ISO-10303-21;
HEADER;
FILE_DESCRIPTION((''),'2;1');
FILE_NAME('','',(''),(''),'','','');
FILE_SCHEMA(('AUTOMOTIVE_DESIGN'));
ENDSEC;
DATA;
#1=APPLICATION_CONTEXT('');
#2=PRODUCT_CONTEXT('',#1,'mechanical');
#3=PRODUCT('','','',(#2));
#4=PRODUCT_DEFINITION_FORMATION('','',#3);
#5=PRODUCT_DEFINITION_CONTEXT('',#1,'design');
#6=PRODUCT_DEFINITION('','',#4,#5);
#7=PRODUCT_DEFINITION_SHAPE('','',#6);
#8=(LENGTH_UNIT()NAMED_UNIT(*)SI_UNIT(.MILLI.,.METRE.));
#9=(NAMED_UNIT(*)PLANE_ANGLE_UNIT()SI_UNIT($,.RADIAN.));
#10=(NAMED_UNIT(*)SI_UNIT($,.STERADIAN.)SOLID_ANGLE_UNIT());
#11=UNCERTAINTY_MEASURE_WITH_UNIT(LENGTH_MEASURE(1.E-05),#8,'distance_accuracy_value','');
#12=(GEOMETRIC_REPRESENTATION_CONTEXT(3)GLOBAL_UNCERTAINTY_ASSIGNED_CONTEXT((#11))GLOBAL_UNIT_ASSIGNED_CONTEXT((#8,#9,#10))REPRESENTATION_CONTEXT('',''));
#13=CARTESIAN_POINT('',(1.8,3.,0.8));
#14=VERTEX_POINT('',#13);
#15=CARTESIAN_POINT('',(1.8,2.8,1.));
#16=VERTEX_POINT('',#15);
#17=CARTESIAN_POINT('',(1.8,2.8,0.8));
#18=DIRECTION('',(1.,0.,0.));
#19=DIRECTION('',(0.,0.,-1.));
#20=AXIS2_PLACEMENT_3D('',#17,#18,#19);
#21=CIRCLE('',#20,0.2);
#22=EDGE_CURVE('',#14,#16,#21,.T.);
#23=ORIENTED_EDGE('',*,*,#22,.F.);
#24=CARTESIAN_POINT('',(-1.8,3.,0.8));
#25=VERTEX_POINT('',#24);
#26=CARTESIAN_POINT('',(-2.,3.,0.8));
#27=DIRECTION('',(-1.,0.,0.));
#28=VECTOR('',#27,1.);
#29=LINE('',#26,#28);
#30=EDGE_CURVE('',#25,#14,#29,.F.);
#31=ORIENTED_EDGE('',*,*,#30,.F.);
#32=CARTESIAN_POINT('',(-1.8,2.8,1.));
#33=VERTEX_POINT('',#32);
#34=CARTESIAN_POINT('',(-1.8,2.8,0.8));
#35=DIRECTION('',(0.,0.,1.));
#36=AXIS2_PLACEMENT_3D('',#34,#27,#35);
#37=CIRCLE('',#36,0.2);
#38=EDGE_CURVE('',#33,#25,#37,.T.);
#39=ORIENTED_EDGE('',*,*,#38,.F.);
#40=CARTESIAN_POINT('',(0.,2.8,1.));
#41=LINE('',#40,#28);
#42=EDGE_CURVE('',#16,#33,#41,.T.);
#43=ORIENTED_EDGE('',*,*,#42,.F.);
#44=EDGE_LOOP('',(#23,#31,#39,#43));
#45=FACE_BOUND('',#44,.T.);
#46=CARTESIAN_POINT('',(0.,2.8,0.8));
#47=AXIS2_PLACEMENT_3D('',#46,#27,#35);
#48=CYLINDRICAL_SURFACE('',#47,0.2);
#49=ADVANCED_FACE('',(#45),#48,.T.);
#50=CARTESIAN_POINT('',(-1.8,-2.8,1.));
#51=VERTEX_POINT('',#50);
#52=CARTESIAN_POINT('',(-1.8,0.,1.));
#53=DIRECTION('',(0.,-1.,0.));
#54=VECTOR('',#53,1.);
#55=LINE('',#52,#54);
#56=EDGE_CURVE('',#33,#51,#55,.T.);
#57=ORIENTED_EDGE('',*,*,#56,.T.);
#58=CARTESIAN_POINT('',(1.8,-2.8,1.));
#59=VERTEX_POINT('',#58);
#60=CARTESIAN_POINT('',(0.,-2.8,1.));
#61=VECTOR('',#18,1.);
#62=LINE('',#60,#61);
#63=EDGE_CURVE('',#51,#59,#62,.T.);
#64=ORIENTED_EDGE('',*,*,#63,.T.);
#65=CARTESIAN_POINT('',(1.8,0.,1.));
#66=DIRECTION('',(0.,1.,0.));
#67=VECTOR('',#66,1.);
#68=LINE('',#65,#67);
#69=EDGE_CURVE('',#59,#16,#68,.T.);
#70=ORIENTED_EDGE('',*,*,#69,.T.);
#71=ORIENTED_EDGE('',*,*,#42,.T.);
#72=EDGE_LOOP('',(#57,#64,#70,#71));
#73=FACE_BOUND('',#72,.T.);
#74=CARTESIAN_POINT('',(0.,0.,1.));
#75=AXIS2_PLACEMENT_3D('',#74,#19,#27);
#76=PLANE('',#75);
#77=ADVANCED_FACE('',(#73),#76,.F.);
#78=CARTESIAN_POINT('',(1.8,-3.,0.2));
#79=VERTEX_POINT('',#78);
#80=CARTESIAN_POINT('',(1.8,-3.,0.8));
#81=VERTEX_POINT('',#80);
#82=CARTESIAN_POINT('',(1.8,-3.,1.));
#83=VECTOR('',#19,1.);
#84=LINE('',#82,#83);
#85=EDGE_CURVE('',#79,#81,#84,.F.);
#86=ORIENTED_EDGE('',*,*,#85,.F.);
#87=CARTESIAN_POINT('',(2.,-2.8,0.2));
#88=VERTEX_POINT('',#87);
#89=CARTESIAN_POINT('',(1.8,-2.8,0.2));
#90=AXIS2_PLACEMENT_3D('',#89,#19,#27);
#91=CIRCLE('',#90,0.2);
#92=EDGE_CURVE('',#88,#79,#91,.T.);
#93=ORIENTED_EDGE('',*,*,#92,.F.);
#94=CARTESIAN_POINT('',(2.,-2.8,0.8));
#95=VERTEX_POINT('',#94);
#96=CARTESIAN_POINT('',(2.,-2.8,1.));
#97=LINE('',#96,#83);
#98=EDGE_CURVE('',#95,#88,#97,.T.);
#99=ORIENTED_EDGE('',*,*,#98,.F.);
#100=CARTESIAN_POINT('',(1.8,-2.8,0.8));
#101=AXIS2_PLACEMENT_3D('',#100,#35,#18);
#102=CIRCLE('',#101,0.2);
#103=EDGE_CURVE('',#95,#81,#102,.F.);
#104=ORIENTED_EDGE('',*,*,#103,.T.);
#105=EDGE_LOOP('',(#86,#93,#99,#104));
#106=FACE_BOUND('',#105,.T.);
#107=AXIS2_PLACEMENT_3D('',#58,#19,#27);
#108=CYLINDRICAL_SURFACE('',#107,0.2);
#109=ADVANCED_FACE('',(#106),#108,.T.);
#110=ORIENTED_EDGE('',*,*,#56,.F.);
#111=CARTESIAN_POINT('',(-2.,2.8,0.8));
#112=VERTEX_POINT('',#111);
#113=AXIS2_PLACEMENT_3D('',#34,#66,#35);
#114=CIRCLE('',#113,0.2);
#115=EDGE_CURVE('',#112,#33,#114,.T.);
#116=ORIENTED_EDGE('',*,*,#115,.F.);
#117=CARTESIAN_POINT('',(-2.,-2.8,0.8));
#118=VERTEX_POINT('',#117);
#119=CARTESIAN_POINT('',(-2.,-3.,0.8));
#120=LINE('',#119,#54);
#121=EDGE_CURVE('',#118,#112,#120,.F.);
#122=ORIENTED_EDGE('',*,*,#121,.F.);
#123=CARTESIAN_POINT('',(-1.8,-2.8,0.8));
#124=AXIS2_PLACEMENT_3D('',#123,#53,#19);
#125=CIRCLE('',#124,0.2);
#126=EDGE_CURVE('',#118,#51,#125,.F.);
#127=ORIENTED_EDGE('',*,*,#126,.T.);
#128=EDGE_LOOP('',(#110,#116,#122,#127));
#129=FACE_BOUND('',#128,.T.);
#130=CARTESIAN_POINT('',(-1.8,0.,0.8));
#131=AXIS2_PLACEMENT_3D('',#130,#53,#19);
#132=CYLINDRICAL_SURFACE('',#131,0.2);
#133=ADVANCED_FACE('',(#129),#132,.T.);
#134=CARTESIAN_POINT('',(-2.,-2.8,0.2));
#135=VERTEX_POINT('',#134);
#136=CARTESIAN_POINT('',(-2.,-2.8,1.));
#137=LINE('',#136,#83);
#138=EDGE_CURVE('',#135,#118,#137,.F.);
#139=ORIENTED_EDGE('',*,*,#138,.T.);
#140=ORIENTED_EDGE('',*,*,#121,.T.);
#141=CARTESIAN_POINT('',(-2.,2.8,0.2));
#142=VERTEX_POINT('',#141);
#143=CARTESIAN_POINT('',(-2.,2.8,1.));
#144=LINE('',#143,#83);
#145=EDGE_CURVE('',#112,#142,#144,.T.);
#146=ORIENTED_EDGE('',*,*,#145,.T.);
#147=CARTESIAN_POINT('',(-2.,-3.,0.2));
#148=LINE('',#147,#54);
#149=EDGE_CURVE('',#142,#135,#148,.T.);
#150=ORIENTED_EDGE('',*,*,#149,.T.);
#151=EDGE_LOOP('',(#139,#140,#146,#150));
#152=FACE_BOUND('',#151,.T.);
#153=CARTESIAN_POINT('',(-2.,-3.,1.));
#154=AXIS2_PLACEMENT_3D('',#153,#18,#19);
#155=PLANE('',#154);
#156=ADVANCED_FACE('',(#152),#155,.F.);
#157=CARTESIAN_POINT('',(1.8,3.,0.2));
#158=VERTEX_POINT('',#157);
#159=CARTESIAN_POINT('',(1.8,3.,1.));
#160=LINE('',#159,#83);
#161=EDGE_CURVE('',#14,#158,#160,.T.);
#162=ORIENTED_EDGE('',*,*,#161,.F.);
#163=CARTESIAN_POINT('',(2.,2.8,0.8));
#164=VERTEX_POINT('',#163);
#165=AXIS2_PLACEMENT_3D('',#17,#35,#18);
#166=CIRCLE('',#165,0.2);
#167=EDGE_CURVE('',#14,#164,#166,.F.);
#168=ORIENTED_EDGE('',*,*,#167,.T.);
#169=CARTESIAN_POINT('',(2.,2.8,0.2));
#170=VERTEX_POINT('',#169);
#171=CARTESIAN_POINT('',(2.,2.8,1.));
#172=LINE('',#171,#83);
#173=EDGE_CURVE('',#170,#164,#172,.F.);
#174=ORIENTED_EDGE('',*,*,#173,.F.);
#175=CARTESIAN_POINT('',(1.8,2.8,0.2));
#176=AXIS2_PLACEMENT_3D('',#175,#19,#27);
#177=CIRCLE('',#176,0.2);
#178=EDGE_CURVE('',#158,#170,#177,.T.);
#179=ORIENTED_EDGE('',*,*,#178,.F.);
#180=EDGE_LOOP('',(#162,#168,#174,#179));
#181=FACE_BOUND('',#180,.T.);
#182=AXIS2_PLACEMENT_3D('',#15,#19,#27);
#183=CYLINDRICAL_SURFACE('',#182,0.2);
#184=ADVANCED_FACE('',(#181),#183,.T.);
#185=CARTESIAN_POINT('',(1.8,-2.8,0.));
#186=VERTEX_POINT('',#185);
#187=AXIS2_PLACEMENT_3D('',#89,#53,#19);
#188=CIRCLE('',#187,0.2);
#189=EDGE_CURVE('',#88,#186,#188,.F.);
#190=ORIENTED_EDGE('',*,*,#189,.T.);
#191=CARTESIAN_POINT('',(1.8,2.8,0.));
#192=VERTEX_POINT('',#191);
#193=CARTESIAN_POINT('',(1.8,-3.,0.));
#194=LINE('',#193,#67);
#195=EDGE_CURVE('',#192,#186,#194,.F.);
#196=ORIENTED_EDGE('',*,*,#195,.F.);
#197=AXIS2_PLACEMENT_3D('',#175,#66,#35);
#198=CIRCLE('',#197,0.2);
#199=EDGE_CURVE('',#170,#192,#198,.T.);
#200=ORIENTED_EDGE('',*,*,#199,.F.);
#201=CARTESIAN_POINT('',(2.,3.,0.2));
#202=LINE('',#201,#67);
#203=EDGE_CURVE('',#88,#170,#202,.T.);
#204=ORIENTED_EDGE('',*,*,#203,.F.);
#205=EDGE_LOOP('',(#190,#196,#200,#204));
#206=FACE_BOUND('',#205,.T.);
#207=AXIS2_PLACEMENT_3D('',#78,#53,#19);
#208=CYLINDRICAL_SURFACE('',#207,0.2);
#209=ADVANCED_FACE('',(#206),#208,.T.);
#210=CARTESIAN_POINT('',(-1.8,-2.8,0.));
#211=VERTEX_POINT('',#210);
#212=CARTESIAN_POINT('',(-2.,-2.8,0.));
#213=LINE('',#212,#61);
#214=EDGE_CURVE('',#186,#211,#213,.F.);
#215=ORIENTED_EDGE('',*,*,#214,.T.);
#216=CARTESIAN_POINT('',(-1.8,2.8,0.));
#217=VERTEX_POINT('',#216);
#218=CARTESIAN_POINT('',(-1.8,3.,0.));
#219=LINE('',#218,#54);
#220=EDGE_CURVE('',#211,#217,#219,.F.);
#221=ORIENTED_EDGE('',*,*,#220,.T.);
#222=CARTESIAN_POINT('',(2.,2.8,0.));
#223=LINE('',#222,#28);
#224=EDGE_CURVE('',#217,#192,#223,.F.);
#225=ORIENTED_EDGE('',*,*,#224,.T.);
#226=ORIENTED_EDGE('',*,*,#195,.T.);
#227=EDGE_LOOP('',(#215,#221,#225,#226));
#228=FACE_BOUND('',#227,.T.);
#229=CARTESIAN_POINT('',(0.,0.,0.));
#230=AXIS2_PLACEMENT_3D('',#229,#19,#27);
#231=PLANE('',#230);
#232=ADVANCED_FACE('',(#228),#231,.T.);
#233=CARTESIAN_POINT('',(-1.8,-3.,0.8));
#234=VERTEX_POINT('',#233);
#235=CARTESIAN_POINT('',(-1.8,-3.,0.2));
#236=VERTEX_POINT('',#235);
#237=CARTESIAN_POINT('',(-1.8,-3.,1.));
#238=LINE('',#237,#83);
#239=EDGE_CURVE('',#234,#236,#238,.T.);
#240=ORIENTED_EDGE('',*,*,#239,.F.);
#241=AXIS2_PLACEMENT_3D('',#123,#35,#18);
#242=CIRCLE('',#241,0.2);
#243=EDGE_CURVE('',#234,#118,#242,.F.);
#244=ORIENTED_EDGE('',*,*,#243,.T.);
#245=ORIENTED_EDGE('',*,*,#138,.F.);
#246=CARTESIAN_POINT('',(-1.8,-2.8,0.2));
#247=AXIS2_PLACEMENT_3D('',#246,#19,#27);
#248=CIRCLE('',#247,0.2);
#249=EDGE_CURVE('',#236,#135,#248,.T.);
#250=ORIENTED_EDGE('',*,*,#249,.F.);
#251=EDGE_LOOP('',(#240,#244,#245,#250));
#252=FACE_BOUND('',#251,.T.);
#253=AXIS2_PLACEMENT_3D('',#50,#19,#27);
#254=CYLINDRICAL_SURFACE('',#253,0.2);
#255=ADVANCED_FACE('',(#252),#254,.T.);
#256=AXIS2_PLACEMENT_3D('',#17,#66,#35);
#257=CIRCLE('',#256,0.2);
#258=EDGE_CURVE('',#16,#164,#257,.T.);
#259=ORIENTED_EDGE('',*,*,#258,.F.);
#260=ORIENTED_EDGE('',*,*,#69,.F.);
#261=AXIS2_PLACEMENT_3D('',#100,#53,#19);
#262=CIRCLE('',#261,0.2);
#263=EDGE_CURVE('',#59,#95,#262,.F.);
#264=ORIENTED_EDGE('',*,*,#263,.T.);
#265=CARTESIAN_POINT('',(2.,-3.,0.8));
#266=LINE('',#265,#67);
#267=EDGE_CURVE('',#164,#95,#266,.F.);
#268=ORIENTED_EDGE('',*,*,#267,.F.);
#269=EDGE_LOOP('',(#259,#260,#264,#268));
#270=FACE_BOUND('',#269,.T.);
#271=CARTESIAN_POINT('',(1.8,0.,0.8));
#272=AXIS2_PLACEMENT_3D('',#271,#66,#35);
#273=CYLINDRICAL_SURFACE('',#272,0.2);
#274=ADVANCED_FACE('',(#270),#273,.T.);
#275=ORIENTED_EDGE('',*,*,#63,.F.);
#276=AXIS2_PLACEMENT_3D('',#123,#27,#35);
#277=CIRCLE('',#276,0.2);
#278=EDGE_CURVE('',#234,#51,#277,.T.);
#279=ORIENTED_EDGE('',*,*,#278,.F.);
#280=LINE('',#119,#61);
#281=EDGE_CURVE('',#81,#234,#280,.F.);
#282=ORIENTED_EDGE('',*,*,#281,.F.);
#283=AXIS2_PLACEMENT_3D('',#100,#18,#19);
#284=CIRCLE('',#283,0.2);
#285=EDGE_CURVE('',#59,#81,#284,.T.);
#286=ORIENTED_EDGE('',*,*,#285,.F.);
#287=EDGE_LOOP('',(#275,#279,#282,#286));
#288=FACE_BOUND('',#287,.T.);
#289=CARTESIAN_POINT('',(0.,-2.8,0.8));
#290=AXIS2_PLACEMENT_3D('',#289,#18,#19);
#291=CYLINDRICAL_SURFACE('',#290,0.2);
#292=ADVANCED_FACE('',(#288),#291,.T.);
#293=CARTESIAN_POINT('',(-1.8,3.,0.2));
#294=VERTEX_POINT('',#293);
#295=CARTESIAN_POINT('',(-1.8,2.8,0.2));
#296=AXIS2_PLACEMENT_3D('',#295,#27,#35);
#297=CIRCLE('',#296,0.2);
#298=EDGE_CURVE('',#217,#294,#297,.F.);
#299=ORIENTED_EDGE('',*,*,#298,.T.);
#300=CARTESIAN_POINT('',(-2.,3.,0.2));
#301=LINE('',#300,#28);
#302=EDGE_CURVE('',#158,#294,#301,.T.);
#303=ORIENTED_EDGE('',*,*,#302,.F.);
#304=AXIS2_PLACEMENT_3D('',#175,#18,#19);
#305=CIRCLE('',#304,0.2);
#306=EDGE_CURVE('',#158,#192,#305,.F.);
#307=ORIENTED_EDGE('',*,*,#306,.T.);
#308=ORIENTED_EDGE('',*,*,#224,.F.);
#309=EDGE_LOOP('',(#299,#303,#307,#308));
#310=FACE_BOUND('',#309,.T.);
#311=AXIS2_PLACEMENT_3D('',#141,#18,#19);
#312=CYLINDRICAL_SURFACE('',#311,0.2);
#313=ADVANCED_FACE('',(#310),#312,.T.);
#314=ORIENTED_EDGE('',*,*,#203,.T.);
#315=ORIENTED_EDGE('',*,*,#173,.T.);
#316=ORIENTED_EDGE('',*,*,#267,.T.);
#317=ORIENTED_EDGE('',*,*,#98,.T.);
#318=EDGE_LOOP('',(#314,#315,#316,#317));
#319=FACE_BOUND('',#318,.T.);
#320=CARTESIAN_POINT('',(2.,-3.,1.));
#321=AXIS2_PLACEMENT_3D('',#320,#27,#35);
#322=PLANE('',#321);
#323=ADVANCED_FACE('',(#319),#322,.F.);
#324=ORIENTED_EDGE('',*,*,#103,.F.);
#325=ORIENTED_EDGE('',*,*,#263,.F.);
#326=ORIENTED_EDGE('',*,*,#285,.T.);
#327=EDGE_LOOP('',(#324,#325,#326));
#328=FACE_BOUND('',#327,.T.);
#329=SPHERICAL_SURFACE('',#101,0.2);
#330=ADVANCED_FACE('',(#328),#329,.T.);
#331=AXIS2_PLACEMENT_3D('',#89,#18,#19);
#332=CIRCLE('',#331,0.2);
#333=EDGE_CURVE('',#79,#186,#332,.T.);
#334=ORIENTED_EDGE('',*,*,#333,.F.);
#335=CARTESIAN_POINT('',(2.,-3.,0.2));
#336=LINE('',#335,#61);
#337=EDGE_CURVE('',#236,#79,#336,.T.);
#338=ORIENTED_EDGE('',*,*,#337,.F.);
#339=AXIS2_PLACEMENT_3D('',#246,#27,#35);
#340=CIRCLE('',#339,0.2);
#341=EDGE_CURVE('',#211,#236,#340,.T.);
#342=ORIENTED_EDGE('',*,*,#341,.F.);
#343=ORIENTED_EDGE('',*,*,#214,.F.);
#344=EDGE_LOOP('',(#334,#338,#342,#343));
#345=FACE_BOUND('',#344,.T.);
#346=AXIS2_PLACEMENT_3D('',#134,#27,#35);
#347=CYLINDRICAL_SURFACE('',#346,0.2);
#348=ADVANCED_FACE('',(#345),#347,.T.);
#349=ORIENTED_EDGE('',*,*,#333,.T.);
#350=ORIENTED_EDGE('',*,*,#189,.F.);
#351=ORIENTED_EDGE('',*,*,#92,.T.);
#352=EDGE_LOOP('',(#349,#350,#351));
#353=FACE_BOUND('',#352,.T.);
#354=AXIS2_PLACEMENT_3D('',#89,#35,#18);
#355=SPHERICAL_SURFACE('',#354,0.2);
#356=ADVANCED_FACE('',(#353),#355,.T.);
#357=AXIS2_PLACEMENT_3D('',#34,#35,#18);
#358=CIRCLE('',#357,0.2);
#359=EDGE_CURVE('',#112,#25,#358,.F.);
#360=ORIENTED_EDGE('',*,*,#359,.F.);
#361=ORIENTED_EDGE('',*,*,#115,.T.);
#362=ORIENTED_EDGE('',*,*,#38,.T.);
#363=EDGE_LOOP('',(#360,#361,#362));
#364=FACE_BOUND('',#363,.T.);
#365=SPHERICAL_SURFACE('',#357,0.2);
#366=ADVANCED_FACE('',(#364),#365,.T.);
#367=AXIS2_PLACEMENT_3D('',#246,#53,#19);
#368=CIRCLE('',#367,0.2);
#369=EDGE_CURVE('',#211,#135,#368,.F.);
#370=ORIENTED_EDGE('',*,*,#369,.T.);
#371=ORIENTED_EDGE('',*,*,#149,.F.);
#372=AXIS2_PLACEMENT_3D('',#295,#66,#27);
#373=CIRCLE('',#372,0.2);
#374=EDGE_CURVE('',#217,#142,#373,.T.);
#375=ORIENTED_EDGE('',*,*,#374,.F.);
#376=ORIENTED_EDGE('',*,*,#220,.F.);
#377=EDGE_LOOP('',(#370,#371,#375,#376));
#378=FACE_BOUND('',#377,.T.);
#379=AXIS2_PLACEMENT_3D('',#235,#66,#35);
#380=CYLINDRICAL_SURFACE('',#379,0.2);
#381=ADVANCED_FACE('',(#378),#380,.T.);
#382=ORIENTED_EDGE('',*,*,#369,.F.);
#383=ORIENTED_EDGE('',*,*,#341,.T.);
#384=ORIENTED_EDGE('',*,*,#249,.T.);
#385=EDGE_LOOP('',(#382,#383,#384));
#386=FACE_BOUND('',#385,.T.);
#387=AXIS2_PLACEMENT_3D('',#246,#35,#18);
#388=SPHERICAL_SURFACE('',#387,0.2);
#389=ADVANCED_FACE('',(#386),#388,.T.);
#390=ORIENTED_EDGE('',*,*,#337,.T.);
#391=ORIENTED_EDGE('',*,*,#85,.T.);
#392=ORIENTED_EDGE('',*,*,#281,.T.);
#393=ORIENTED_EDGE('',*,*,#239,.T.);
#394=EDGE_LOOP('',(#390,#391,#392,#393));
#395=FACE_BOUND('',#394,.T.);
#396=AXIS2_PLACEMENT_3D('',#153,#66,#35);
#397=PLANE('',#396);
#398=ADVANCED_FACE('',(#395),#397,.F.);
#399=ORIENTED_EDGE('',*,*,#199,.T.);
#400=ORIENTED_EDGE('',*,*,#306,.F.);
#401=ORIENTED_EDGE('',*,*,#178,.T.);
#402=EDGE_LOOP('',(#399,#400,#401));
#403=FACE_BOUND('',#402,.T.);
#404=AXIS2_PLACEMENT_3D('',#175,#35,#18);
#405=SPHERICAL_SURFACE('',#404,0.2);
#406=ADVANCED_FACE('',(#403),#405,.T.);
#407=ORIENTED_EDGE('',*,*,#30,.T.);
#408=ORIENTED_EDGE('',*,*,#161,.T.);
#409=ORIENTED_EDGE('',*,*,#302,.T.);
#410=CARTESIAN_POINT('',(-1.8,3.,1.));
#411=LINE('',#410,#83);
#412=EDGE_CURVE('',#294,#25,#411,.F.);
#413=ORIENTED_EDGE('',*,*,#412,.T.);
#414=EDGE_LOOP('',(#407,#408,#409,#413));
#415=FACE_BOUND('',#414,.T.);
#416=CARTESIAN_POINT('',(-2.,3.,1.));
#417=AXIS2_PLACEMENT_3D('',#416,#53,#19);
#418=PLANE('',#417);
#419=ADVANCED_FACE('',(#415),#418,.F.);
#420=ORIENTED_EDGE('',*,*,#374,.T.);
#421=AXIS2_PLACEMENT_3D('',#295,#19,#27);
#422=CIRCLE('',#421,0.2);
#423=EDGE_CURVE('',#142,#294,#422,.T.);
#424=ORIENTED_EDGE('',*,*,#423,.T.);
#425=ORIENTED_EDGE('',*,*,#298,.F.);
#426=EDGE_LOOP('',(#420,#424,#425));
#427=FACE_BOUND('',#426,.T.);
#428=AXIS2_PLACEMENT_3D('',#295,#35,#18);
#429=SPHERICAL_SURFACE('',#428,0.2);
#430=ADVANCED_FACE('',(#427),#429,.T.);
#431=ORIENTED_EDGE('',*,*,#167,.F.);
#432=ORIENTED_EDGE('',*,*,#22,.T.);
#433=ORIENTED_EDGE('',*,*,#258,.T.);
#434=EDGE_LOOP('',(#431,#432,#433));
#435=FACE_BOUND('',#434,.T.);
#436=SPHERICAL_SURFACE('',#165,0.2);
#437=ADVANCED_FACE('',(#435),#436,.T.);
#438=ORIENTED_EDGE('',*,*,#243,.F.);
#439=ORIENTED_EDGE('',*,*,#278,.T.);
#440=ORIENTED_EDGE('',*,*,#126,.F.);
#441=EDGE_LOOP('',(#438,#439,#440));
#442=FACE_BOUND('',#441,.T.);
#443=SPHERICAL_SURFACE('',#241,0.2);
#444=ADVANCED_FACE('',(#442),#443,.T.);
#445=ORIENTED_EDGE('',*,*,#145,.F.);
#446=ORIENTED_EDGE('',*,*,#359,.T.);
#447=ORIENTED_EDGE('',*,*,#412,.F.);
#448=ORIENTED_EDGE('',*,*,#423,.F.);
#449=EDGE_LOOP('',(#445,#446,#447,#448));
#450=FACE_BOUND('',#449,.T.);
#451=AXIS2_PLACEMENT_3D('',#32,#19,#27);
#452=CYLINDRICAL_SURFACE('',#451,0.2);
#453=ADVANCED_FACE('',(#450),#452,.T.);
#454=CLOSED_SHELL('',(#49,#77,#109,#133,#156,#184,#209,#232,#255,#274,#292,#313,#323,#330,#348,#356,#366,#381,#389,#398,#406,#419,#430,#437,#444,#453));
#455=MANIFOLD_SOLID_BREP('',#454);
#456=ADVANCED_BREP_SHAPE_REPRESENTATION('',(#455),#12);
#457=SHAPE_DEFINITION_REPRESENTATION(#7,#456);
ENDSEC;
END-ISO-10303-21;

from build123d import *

# Parameters (mm, degrees)
SKETCH_1_W      = 4
SKETCH_1_H      = 6
EXTRUDE_1_DEPTH = 1
FILLET_1_R      = 0.2


with BuildPart() as part:
    # Эскиз1 → Бобышка-Вытянуть1 (new body)
    with BuildSketch(Plane.XY):
        Rectangle(SKETCH_1_W, SKETCH_1_H)
    extrude(amount=EXTRUDE_1_DEPTH)

    # Скругление1
    fillet_1_edges = [part.edges().sort_by_distance(p)[0] for p in [
        (-2, 0, 1),
        (0, -3, 1),
        (2, 0, 1),
        (0, -3, 0),
        (-2, 0, 0),
        (0, 3, 0),
        (2, 0, 0),
        (0, 3, 1),
        (2, -3, 0.5),
        (-2, -3, 0.5),
        (-2, 3, 0.5),
        (2, 3, 0.5),
    ]]
    fillet(fillet_1_edges, radius=FILLET_1_R)


solid = part.part
